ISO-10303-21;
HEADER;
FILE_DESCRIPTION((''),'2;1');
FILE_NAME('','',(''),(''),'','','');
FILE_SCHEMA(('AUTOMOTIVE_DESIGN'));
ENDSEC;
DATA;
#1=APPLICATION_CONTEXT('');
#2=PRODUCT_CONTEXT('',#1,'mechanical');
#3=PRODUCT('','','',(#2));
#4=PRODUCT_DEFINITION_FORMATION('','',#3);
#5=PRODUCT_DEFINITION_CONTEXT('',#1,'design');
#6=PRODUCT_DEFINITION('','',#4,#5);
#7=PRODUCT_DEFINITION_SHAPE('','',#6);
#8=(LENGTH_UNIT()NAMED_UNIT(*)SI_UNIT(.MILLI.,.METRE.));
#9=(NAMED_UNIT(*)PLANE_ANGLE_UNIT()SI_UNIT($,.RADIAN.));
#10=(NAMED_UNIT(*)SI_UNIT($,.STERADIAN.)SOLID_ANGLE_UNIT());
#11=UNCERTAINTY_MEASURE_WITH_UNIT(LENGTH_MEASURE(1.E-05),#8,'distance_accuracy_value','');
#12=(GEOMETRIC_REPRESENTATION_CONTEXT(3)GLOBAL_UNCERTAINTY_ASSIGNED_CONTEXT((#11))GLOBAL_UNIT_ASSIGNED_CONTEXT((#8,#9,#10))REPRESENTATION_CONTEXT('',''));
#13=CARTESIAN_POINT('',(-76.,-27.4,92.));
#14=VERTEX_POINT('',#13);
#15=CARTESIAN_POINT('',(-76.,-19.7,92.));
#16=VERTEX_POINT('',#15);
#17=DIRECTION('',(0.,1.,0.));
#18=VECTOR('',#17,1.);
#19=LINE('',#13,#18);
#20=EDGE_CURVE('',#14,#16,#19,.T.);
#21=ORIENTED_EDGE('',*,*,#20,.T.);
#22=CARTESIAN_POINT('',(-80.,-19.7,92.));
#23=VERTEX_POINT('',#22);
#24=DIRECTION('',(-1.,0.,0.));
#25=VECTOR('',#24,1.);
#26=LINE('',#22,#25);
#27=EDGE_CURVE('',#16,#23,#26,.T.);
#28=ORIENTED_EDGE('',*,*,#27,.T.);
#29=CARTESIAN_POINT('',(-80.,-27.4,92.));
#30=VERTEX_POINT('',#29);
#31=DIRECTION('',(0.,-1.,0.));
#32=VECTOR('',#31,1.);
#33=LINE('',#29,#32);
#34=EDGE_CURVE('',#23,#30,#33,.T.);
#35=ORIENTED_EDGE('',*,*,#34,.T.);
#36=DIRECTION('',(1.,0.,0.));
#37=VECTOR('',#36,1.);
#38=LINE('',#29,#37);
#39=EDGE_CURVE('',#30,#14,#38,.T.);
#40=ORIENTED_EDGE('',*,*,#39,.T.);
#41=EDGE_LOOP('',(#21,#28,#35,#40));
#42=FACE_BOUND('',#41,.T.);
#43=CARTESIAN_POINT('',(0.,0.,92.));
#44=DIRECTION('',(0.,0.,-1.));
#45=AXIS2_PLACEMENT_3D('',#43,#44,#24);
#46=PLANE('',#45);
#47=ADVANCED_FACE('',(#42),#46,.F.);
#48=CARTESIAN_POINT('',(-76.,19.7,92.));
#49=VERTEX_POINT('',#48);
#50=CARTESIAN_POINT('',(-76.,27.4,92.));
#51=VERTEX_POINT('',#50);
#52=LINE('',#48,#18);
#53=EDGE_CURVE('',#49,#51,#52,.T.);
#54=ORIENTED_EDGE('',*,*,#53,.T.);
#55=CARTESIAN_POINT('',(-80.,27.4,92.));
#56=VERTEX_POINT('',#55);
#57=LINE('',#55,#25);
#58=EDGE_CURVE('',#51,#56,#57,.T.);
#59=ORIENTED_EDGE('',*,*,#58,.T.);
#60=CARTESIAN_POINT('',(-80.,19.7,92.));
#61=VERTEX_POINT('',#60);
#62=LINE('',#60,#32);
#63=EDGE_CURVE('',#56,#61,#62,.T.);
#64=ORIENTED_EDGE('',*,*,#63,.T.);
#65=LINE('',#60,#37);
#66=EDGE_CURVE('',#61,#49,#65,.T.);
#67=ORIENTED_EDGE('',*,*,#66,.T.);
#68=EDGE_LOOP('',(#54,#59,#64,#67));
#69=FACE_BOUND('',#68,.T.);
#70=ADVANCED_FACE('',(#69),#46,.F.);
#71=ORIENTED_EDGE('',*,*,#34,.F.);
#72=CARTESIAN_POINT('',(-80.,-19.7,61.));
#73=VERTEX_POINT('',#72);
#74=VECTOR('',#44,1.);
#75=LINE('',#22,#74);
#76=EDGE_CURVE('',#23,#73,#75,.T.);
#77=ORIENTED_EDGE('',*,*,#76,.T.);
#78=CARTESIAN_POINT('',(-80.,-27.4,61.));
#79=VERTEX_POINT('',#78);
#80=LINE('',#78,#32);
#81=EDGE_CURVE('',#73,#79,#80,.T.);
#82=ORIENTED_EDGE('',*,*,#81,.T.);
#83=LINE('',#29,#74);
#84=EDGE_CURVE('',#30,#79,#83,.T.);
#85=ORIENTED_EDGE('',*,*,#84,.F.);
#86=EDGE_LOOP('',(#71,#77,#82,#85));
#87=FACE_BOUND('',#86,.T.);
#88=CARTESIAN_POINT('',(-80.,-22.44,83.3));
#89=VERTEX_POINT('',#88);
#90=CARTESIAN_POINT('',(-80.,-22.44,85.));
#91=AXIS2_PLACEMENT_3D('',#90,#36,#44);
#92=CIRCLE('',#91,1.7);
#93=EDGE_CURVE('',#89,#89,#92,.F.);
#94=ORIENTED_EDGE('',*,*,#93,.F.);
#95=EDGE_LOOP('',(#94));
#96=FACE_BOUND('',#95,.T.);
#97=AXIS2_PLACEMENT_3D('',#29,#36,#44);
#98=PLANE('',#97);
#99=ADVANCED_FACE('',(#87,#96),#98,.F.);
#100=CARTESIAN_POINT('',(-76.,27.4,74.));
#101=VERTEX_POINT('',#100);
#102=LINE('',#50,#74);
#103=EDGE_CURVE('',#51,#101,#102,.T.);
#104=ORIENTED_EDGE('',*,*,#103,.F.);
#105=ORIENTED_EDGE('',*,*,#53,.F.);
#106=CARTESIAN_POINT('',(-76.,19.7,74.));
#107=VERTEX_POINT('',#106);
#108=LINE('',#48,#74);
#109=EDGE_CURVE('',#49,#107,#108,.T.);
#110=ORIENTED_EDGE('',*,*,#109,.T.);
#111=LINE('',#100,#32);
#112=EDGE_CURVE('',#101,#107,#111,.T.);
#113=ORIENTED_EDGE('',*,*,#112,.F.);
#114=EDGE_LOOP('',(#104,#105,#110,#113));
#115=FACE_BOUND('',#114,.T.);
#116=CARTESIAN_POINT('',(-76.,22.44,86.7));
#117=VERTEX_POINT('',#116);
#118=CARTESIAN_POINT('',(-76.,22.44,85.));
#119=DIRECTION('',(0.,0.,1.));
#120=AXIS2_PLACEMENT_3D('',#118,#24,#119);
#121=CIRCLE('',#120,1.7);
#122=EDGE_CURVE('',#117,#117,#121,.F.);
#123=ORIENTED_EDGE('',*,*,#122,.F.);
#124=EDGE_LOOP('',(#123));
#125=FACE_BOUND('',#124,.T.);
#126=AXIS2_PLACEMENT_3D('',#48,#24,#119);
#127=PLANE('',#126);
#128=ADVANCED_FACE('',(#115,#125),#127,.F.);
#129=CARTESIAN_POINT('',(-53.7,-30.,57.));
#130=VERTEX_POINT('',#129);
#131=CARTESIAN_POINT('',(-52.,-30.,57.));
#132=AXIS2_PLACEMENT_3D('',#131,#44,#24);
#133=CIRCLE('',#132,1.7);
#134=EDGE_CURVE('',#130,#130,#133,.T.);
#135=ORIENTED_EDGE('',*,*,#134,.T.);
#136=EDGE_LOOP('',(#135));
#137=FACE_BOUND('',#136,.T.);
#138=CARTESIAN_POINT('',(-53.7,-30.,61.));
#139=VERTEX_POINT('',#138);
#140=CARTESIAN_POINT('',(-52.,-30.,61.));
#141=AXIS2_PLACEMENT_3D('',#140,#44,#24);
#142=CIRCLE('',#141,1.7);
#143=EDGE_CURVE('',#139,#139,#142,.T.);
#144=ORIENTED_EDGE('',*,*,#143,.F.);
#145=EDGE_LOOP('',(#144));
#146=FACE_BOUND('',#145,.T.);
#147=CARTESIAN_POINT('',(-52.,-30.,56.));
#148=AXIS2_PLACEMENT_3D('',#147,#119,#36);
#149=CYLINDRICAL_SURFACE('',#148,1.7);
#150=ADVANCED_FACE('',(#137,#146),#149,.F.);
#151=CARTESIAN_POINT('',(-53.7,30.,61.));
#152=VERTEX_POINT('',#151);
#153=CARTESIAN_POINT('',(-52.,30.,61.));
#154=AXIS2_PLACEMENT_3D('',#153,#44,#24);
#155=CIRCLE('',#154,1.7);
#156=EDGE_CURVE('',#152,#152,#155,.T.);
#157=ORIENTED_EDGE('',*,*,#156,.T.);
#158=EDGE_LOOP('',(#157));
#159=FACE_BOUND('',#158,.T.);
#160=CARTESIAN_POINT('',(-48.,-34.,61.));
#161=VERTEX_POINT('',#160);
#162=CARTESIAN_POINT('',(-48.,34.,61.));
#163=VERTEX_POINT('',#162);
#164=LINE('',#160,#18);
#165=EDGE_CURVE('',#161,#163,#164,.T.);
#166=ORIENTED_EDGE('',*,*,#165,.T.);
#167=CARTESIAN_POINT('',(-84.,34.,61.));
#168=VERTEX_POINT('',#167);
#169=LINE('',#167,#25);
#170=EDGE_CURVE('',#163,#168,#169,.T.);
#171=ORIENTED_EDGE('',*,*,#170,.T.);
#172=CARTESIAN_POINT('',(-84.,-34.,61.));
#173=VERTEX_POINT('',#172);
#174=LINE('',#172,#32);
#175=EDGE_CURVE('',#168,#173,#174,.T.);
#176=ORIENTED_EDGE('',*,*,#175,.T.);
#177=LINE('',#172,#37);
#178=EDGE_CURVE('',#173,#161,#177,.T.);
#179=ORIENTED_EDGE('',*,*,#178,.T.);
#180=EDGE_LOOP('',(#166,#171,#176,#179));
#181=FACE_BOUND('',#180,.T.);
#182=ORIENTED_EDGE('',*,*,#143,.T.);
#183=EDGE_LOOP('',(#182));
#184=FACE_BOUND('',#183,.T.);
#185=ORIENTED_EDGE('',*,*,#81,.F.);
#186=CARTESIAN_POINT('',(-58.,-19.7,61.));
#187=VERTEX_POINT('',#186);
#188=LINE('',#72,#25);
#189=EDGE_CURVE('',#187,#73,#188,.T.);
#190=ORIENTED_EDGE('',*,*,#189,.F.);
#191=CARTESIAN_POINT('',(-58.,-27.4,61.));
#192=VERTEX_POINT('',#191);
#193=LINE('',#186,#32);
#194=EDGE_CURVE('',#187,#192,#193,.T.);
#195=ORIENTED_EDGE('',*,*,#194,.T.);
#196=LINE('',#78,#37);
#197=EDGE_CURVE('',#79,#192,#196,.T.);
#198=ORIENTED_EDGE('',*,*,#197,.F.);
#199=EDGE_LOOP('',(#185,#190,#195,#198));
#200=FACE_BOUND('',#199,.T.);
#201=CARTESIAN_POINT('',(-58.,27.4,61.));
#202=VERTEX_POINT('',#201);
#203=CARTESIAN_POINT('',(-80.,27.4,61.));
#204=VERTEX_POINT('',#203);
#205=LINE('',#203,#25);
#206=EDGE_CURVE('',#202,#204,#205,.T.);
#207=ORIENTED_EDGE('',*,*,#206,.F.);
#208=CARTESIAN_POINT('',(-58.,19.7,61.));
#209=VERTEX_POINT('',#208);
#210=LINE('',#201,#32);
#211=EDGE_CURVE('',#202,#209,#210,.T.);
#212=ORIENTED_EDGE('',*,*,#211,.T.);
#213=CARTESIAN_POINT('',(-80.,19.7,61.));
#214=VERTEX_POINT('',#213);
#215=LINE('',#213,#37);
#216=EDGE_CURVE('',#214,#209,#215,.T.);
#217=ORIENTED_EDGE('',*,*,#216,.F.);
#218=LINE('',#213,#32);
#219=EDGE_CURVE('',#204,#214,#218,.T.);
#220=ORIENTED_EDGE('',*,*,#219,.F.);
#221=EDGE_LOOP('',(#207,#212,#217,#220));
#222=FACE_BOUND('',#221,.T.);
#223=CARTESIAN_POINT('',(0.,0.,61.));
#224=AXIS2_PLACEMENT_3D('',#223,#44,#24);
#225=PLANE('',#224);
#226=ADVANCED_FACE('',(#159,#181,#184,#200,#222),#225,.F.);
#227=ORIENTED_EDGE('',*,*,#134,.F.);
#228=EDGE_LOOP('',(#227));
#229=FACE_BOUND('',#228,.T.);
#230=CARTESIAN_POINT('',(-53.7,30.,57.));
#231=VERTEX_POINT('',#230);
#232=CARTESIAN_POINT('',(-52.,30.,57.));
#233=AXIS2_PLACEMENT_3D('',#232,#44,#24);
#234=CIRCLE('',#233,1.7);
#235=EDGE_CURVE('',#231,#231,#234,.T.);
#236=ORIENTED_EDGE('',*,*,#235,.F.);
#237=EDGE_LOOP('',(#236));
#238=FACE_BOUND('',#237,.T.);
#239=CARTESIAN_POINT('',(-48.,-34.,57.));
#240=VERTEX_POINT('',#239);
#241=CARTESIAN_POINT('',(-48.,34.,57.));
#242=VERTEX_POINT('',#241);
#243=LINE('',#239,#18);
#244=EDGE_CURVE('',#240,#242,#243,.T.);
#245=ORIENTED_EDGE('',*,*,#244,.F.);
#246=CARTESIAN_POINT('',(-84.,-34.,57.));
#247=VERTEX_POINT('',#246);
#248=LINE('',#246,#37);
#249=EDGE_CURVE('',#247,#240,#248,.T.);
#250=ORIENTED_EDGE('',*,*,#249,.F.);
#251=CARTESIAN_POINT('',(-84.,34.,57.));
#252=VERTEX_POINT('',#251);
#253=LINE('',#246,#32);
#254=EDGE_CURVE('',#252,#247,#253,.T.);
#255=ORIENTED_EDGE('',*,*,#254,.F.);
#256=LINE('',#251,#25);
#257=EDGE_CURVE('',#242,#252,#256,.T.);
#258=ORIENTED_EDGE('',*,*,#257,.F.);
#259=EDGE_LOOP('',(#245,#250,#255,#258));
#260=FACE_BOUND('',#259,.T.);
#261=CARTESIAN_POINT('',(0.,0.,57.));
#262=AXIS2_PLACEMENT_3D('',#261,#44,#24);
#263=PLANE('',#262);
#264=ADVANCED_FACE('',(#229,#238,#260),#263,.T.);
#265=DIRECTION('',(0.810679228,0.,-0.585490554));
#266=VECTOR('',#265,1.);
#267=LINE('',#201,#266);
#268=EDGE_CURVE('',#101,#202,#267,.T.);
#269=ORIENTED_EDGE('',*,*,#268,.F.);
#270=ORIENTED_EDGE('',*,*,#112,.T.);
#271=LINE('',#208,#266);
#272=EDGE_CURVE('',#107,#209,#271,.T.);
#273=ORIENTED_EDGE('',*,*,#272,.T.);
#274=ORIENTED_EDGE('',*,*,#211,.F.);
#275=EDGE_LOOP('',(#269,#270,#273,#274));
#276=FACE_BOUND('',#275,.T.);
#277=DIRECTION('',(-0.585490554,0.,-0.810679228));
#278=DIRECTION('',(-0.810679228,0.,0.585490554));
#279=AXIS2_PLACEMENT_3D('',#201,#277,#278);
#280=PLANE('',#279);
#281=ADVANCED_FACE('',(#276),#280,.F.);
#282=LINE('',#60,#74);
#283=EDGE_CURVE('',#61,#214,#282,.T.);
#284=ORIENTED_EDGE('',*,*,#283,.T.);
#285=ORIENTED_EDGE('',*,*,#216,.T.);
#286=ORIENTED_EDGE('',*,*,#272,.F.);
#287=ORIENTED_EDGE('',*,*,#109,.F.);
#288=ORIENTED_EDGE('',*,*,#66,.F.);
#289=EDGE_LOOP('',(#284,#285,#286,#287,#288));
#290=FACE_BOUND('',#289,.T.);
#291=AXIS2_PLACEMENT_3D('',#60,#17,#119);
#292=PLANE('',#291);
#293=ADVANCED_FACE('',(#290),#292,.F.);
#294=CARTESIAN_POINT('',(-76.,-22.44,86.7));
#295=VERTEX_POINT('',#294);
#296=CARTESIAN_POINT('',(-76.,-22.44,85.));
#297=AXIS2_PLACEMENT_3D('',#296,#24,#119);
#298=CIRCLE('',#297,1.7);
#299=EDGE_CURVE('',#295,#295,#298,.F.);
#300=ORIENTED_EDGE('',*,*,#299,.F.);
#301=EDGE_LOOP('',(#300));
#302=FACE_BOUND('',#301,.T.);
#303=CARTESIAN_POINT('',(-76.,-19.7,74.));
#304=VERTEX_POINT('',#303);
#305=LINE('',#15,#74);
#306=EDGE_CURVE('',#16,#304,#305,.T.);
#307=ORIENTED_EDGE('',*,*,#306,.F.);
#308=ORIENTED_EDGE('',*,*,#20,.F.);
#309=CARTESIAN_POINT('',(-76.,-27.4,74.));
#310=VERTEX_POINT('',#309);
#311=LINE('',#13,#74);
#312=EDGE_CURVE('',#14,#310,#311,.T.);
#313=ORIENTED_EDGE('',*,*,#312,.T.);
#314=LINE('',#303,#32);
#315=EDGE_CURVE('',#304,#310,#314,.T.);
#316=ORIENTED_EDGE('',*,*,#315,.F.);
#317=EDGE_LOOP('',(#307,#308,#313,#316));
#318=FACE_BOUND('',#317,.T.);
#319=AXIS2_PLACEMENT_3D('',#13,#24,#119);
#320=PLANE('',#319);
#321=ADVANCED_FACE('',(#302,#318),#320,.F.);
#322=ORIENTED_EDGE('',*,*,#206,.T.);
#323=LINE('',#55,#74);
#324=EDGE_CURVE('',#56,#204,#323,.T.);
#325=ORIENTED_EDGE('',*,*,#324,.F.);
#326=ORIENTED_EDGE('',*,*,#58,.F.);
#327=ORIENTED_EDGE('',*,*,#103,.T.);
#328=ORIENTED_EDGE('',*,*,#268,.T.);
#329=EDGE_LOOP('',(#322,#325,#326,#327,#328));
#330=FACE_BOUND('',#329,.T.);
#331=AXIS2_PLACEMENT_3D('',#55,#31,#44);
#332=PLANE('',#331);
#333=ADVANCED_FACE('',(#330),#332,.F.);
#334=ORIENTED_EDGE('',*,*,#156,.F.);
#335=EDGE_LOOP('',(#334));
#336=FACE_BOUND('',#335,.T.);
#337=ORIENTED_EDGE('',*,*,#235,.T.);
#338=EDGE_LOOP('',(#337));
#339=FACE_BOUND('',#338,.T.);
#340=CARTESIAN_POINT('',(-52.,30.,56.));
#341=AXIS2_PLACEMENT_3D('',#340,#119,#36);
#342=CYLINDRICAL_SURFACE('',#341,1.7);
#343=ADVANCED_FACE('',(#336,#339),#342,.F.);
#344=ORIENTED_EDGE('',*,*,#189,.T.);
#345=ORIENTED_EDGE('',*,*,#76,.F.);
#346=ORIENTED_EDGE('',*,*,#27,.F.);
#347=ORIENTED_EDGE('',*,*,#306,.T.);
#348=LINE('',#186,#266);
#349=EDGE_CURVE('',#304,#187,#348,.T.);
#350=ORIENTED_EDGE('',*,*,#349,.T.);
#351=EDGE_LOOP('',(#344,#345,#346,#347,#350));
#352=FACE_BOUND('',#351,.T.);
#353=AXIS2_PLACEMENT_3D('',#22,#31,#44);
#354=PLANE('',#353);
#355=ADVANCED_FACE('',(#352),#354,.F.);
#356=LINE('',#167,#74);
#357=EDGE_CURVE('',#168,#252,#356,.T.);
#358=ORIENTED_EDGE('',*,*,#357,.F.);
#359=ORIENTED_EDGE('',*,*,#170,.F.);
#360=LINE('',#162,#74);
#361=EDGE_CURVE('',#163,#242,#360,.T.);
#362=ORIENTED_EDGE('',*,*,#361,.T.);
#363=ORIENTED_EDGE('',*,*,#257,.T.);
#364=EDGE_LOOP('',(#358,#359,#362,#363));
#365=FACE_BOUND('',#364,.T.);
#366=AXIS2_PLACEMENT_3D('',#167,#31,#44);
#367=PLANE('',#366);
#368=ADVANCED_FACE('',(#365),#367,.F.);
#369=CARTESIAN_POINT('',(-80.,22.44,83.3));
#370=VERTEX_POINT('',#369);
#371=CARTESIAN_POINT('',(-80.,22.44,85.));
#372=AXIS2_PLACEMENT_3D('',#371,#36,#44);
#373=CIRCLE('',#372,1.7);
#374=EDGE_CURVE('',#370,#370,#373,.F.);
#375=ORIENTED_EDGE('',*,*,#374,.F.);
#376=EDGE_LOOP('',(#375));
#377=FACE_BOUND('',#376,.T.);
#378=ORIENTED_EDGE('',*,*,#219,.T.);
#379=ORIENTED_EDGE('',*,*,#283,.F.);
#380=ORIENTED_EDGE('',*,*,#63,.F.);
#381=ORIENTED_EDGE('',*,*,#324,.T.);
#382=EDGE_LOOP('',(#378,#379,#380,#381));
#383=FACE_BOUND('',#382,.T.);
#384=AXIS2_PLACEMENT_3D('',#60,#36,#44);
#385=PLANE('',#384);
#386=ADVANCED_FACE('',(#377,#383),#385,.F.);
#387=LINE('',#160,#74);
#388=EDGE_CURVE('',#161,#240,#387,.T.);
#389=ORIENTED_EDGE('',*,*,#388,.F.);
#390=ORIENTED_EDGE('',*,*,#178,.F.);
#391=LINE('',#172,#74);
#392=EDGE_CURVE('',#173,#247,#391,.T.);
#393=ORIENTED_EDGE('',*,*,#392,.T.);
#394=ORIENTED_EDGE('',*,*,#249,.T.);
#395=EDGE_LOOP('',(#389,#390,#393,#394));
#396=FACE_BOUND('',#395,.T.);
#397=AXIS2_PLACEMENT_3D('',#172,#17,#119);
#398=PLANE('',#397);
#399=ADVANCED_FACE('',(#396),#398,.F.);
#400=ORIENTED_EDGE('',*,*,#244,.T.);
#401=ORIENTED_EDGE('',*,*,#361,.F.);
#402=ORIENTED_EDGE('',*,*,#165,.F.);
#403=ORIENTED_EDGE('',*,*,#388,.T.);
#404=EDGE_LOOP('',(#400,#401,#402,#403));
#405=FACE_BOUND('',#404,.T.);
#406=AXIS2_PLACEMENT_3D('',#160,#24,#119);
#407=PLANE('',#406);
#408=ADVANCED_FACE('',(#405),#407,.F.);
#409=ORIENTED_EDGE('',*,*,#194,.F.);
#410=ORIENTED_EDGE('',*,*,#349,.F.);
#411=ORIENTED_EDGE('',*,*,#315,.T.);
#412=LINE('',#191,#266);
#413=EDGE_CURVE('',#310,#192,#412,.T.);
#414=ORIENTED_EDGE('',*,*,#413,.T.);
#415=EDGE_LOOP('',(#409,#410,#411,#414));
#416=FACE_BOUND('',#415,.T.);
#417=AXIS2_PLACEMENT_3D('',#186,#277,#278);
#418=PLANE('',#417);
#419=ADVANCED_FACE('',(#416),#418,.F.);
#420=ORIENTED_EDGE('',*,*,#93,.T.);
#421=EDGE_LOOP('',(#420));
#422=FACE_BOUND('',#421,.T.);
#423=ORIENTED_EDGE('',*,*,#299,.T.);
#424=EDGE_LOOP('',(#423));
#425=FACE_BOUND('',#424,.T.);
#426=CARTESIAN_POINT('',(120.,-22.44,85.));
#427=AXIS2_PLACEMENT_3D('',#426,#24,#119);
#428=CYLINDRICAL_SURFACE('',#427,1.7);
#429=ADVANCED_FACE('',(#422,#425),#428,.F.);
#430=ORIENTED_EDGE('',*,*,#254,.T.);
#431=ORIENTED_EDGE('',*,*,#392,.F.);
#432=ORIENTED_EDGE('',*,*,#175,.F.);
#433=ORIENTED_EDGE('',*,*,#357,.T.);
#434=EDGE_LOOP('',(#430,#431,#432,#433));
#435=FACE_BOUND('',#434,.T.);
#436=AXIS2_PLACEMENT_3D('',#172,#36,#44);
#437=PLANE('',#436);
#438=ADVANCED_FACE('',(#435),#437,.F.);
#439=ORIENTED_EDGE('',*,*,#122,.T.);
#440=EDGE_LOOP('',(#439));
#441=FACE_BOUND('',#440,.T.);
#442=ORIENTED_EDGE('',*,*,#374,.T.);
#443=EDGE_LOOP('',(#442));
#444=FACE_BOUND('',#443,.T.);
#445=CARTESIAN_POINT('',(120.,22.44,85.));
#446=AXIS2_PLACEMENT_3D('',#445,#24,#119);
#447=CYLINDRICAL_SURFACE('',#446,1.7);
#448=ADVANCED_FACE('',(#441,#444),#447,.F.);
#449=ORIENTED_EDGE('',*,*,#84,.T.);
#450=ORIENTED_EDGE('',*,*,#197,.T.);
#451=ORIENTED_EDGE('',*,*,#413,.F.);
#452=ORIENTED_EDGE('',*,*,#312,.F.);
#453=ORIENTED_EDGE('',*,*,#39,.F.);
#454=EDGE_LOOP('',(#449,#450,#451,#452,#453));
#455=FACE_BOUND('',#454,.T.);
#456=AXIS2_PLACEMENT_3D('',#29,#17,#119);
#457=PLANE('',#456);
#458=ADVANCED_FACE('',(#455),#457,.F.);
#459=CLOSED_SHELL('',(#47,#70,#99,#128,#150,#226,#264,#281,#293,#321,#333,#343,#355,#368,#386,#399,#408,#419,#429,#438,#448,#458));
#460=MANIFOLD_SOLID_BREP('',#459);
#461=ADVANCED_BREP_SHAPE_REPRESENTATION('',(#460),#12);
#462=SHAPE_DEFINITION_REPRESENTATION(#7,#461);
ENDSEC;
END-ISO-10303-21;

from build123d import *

# Parameters (mm, degrees)
BASE_4MM_START                          = 57
SKETCH_7_W                              = 36
SKETCH_7_H                              = 68
BASE_4MM_DEPTH                          = 4
TWIN_EAR_SUPPORTS_START                 = 61
SKETCH_8_W                              = 4
SKETCH_8_H                              = 7.7
TWIN_EAR_SUPPORTS_DEPTH                 = 31
INTEGRAL_SHORT_GUSSET_27_4_START        = -27.4
INTEGRAL_SHORT_GUSSET_27_4_DEPTH        = 7.7
INTEGRAL_SHORT_GUSSET_19_7_START        = 19.7
INTEGRAL_SHORT_GUSSET_19_7_DEPTH        = 7.7
BASE_M3_CLEARANCE_START                 = 63
SKETCH_11_R                             = 1.7
BASE_M3_CLEARANCE_DEPTH                 = 7
ACTUAL_CAMERA_44P88_PITCH_M3_DEPTH      = 120
ACTUAL_CAMERA_44P88_PITCH_M3_DEPTH_BACK = 120
SKETCH_12_R                             = 1.7


with BuildPart() as part:
    # 草图7 → Base_4mm (new body)
    with BuildSketch(Plane.XY.offset(BASE_4MM_START)):
        with Locations((-66, 0)):
            Rectangle(SKETCH_7_W, SKETCH_7_H)
    extrude(amount=BASE_4MM_DEPTH)

    # 草图8 → Twin_ear_supports (add)
    with BuildSketch(Plane.XY.offset(TWIN_EAR_SUPPORTS_START)):
        with Locations((-78, -23.55)):
            Rectangle(SKETCH_8_W, SKETCH_8_H)
        with Locations((-78, 23.55)):
            Rectangle(SKETCH_8_W, SKETCH_8_H)
    extrude(amount=TWIN_EAR_SUPPORTS_DEPTH)

    # 草图9 → Integral_short_gusset_-27.4 (add)
    with BuildSketch(Plane(origin=(0, 0, 0), x_dir=(1, 0, 0), z_dir=(0, 1, 0)).offset(INTEGRAL_SHORT_GUSSET_27_4_START)):
        Polygon((-76, -61), (-58, -61), (-76, -74), align=None)
    extrude(amount=INTEGRAL_SHORT_GUSSET_27_4_DEPTH)

    # 草图10 → Integral_short_gusset_19.7 (add)
    with BuildSketch(Plane(origin=(0, 0, 0), x_dir=(1, 0, 0), z_dir=(0, 1, 0)).offset(INTEGRAL_SHORT_GUSSET_19_7_START)):
        Polygon((-76, -61), (-58, -61), (-76, -74), align=None)
    extrude(amount=INTEGRAL_SHORT_GUSSET_19_7_DEPTH)

    # 草图11 → Base_M3_clearance (cut)
    with BuildSketch(Plane.XY.offset(BASE_M3_CLEARANCE_START)):
        with Locations((-52, -30)):
            Circle(SKETCH_11_R)
        with Locations((-52, 30)):
            Circle(SKETCH_11_R)
    extrude(amount=-BASE_M3_CLEARANCE_DEPTH, mode=Mode.SUBTRACT)

    # 草图12 → Actual_camera_44p88_pitch_M3 (cut, two sides: drawn at the far end of the back side and taken through both)
    with BuildSketch(Plane(origin=(0, 0, 0), x_dir=(0, 0, -1), z_dir=(1, 0, 0)).offset(-ACTUAL_CAMERA_44P88_PITCH_M3_DEPTH_BACK)):
        with Locations((-85, -22.44)):
            Circle(SKETCH_12_R)
        with Locations((-85, 22.44)):
            Circle(SKETCH_12_R)
    extrude(amount=ACTUAL_CAMERA_44P88_PITCH_M3_DEPTH + ACTUAL_CAMERA_44P88_PITCH_M3_DEPTH_BACK, mode=Mode.SUBTRACT)


solid = part.part
